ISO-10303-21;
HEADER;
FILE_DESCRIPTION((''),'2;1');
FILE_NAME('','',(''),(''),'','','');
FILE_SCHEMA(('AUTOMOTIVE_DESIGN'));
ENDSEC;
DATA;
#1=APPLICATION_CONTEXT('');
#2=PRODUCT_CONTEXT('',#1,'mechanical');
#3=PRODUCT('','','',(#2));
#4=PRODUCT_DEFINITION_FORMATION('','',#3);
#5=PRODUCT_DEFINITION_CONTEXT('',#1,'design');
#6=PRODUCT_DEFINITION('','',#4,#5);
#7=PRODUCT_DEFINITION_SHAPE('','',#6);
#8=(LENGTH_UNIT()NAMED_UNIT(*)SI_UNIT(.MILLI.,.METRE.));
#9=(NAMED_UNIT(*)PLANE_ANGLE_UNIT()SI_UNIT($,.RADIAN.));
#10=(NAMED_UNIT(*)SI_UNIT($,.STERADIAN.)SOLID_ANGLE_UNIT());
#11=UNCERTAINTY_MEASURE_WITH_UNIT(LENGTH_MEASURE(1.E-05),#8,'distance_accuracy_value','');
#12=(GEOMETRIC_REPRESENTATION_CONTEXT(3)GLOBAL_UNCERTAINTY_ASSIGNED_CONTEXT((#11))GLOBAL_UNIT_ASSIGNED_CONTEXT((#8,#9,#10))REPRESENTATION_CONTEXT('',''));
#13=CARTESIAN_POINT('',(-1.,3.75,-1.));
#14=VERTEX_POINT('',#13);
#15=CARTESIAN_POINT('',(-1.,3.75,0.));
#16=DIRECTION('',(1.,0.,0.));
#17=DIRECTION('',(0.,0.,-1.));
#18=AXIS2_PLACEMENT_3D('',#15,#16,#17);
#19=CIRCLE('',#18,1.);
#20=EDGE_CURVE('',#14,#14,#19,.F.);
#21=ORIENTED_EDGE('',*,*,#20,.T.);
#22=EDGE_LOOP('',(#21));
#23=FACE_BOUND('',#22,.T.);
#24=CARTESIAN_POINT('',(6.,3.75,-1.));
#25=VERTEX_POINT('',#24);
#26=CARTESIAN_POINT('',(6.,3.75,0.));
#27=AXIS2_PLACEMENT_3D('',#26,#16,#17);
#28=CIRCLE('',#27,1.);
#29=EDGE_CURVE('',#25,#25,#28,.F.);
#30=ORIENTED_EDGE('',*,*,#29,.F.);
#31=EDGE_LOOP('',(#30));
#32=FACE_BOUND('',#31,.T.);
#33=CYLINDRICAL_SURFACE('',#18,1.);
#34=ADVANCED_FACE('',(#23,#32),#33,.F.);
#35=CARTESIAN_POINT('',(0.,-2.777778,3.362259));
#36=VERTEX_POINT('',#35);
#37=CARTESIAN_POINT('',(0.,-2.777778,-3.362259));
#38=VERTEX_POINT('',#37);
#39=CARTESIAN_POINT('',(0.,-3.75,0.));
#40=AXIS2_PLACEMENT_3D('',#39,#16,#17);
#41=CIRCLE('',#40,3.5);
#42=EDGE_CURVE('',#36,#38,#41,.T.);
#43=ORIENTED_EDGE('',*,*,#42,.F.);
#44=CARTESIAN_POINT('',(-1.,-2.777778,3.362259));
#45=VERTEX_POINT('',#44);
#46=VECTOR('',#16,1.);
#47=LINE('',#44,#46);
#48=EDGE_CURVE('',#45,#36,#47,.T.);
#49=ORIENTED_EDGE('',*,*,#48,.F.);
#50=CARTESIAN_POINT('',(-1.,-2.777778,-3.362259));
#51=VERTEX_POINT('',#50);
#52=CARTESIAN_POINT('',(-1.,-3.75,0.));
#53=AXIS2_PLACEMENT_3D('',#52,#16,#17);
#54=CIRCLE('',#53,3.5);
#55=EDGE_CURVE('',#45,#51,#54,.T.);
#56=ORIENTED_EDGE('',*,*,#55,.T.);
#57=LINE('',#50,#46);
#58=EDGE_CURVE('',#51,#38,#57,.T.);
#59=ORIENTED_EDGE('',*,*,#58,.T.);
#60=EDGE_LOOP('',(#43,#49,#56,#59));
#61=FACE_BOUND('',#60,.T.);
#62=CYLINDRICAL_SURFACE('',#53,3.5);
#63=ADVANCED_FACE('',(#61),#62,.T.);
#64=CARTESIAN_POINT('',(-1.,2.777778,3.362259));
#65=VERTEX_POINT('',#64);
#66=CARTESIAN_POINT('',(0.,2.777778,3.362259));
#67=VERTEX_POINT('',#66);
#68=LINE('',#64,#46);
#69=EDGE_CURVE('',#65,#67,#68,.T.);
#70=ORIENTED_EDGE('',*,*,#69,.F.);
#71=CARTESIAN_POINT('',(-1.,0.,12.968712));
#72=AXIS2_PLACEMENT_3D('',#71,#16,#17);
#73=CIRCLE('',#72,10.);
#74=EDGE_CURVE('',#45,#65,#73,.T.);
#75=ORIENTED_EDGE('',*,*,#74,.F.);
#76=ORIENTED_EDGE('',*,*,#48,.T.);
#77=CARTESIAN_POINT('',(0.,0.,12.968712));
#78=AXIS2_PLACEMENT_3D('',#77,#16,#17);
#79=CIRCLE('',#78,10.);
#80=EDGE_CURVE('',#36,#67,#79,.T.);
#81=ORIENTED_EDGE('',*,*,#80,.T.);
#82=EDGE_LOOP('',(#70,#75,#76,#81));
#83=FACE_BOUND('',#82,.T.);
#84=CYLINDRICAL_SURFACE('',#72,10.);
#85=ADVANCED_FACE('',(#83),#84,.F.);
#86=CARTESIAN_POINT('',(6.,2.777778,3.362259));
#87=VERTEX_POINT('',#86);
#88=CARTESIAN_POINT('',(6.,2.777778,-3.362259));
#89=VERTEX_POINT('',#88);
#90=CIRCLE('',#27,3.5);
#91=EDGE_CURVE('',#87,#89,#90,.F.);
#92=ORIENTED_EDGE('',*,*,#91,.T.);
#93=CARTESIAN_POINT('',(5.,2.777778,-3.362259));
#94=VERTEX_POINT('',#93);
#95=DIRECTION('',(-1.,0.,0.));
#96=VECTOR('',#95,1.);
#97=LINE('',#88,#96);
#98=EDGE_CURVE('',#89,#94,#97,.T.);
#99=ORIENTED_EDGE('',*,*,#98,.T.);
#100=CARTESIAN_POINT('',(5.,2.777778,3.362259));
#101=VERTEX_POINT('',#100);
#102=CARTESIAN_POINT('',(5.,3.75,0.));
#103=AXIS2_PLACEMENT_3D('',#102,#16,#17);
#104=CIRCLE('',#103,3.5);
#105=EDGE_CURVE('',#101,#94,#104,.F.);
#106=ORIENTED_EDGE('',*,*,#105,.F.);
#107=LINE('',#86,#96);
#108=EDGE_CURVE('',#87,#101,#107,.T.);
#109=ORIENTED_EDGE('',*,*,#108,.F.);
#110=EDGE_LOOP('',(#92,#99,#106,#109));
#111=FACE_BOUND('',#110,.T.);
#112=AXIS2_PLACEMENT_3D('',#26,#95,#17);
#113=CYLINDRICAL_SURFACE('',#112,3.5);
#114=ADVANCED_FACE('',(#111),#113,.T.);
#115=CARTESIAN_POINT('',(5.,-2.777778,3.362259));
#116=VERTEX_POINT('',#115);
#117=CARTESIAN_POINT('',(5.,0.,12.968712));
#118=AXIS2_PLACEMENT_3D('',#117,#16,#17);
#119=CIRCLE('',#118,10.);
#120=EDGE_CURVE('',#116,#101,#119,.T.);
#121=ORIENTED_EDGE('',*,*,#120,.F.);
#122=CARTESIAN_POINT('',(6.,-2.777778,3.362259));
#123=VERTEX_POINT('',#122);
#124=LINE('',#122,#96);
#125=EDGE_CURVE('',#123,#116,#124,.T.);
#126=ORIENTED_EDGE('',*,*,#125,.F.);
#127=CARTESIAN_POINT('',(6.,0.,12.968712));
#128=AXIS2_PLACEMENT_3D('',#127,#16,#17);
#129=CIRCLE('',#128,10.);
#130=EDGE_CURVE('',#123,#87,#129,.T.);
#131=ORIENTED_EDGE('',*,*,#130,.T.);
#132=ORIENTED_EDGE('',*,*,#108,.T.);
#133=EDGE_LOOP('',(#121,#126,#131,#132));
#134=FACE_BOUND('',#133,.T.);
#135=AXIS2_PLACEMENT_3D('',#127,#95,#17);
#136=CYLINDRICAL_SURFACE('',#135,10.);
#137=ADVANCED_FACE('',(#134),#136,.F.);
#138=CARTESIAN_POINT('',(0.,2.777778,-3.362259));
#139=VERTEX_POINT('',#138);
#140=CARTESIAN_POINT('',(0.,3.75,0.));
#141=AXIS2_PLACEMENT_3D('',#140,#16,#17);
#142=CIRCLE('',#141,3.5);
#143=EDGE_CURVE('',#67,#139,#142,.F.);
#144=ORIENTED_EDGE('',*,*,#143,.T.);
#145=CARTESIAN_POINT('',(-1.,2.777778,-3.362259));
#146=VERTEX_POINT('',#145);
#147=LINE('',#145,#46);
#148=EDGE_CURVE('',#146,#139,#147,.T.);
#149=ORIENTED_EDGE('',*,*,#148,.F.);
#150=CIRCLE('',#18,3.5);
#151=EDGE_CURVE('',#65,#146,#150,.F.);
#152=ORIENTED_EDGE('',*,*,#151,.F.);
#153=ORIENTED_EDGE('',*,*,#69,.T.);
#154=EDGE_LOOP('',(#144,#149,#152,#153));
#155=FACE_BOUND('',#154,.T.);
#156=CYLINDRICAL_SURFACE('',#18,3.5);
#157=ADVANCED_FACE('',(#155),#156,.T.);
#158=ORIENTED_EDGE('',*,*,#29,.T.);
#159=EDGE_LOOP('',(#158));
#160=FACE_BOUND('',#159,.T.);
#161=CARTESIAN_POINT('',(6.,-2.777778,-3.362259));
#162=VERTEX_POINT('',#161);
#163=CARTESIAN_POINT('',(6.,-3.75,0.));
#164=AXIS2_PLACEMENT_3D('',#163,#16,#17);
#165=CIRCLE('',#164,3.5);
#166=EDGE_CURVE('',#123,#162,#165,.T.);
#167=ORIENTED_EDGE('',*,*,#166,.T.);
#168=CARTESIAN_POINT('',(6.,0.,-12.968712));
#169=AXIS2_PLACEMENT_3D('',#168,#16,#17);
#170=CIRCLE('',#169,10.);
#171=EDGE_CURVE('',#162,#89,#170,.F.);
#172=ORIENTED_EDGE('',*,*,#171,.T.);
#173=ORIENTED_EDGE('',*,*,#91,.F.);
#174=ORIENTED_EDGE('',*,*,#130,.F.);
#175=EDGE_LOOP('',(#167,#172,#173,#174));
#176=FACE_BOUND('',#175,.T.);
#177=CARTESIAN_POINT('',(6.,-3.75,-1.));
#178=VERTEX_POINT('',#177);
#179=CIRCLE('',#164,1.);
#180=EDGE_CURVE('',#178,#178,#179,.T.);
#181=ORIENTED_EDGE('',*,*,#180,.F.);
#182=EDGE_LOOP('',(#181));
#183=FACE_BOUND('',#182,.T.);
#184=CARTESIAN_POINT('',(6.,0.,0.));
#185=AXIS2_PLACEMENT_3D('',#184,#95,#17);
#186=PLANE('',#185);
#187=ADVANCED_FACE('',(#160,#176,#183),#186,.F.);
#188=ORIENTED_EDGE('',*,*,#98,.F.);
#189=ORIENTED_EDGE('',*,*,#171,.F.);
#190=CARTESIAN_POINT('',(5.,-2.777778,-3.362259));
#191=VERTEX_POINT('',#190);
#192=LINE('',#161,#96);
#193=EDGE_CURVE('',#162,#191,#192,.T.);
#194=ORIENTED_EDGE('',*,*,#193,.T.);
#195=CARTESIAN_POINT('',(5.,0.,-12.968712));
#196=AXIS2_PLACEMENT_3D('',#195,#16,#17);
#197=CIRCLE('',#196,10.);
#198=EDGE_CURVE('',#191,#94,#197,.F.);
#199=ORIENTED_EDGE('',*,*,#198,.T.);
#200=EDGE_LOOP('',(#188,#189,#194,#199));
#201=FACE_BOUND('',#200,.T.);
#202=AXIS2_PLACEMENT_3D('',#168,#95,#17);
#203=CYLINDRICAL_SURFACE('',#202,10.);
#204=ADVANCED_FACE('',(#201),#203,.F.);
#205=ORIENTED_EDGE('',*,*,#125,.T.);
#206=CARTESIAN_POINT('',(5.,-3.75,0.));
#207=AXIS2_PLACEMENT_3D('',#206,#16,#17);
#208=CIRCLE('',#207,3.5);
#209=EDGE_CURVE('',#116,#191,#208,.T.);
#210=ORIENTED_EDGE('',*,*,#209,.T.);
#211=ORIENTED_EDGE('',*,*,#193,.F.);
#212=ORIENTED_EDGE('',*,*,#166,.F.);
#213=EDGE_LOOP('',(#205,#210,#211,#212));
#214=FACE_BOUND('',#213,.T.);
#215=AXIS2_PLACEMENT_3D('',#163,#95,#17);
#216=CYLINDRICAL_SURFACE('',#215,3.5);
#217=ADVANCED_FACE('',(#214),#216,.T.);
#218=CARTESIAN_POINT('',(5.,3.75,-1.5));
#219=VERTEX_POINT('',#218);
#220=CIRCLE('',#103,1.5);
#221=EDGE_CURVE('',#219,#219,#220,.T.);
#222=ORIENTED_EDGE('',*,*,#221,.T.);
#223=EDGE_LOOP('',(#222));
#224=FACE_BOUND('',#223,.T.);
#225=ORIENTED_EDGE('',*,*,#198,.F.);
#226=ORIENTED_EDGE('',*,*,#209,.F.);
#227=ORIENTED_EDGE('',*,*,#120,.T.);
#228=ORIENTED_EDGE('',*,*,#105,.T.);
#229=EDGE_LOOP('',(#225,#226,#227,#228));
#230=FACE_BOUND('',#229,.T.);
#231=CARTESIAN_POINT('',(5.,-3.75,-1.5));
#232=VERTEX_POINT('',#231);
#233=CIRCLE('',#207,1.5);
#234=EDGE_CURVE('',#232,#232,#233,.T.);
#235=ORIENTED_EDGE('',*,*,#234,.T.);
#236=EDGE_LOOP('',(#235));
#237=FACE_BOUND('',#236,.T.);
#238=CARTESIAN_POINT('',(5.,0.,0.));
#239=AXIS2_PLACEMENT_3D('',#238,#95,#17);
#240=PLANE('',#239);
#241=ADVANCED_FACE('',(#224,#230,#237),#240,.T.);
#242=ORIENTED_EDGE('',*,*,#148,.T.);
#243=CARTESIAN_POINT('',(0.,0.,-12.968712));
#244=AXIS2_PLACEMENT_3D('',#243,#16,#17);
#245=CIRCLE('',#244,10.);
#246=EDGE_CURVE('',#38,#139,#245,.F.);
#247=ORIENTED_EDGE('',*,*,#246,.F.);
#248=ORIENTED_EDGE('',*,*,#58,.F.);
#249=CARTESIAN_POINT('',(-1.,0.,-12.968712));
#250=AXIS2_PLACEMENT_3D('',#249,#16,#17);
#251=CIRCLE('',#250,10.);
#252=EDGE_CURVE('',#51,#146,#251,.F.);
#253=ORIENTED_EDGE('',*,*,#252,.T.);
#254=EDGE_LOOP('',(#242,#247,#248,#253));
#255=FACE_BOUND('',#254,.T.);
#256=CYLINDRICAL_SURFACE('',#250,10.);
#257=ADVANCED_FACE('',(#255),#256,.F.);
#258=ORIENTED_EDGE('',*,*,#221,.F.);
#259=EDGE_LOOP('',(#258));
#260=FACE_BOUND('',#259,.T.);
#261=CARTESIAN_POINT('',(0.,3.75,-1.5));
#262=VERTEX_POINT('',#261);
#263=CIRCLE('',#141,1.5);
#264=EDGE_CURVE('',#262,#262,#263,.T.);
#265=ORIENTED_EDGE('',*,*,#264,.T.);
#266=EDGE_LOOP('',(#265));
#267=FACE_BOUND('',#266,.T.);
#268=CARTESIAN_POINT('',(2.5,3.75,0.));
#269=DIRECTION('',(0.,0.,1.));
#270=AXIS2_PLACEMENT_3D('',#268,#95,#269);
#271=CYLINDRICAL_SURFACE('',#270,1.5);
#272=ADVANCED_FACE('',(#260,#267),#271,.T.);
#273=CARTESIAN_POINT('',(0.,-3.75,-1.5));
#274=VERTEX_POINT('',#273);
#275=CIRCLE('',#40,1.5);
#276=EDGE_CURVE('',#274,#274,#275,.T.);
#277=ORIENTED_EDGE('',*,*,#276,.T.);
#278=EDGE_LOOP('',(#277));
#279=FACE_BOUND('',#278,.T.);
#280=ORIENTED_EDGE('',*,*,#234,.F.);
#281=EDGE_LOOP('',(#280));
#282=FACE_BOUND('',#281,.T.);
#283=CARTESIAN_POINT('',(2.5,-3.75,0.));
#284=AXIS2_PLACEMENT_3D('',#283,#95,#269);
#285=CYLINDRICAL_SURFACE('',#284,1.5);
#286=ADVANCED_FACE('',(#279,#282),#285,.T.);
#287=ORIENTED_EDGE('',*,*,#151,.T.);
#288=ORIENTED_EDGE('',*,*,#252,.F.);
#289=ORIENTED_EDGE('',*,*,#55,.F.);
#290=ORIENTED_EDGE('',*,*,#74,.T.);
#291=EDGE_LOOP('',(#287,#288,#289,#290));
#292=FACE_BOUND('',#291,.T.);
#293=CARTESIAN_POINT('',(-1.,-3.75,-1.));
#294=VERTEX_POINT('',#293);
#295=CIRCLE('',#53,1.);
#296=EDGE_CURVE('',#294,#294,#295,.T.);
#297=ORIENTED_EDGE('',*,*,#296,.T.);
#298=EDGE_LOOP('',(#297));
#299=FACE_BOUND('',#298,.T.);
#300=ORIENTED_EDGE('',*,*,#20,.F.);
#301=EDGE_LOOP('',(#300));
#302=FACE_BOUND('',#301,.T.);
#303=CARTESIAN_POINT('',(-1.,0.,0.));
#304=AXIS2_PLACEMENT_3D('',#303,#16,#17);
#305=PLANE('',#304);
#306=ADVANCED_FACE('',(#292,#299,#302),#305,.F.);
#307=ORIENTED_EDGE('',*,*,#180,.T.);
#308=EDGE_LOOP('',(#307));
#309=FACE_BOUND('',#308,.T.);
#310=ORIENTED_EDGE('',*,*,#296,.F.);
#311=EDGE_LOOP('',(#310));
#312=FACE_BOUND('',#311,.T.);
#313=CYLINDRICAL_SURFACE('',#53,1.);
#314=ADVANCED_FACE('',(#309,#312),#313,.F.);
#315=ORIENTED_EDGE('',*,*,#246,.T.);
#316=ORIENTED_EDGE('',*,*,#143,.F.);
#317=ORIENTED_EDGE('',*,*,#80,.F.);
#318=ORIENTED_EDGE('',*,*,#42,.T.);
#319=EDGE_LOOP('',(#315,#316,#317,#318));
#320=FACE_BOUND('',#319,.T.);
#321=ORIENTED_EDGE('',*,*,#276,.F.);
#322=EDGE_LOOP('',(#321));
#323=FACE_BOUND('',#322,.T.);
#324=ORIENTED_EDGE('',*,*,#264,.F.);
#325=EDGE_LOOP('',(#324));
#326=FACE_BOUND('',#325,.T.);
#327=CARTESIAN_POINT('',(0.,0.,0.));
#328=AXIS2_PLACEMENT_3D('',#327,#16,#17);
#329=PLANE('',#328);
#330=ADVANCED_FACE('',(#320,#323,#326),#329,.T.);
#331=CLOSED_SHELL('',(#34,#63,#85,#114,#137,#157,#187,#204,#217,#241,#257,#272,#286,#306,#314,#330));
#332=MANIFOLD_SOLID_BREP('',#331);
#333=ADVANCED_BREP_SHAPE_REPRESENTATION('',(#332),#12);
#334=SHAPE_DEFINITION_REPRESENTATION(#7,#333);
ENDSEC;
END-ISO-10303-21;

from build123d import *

# Parameters (mm, degrees)
SKETCH2_R           = 1
BOSS_EXTRUDE1_DEPTH = 1
BOSS_EXTRUDE2_START = 2.5
SKETCH2_3_R         = 1.5
SKETCH2_3_R_2       = 1
BOSS_EXTRUDE2_DEPTH = 2.5


with BuildPart() as part:
    # Sketch2 → Boss-Extrude1 (new body)
    with BuildSketch(Plane.YZ):
        with BuildLine():
            ThreePointArc((-2.777777778, 3.362258757), (-7.25, 0), (-2.777777778, -3.362258757))
            ThreePointArc((-2.777777778, -3.362258757), (0, -2.968712349), (2.777777778, -3.362258757))
            ThreePointArc((2.777777778, -3.362258757), (7.25, 0), (2.777777778, 3.362258757))
            ThreePointArc((2.777777778, 3.362258757), (0, 2.968712349), (-2.777777778, 3.362258757))
        make_face()
        with Locations((-3.75, 0)):
            Circle(SKETCH2_R, mode=Mode.SUBTRACT)
        with Locations((3.75, 0)):
            Circle(SKETCH2_R, mode=Mode.SUBTRACT)
    extrude(amount=-BOSS_EXTRUDE1_DEPTH)

    # Sketch2<3> → Boss-Extrude2 (add)
    # profile 1 of 2: a face of its own
    with BuildSketch(Plane.YZ.offset(BOSS_EXTRUDE2_START)):
        with Locations((-3.75, 0)):
            Circle(SKETCH2_3_R)
        with Locations((-3.75, 0)):
            Circle(SKETCH2_3_R_2, mode=Mode.SUBTRACT)
    # profile 2 of 2: a face of its own
    with BuildSketch(Plane.YZ.offset(BOSS_EXTRUDE2_START)):
        with Locations((3.75, 0)):
            Circle(SKETCH2_3_R)
        with Locations((3.75, 0)):
            Circle(SKETCH2_3_R_2, mode=Mode.SUBTRACT)
    extrude(amount=-BOSS_EXTRUDE2_DEPTH)

    # Mirror1: part across plane


with BuildPart() as part_1:
    add(part.part)
    add(part.part.mirror(Plane(origin=(2.5, 0, 0), x_dir=(0, 0, 1), z_dir=(1, 0, 0))))


solid = part_1.part
